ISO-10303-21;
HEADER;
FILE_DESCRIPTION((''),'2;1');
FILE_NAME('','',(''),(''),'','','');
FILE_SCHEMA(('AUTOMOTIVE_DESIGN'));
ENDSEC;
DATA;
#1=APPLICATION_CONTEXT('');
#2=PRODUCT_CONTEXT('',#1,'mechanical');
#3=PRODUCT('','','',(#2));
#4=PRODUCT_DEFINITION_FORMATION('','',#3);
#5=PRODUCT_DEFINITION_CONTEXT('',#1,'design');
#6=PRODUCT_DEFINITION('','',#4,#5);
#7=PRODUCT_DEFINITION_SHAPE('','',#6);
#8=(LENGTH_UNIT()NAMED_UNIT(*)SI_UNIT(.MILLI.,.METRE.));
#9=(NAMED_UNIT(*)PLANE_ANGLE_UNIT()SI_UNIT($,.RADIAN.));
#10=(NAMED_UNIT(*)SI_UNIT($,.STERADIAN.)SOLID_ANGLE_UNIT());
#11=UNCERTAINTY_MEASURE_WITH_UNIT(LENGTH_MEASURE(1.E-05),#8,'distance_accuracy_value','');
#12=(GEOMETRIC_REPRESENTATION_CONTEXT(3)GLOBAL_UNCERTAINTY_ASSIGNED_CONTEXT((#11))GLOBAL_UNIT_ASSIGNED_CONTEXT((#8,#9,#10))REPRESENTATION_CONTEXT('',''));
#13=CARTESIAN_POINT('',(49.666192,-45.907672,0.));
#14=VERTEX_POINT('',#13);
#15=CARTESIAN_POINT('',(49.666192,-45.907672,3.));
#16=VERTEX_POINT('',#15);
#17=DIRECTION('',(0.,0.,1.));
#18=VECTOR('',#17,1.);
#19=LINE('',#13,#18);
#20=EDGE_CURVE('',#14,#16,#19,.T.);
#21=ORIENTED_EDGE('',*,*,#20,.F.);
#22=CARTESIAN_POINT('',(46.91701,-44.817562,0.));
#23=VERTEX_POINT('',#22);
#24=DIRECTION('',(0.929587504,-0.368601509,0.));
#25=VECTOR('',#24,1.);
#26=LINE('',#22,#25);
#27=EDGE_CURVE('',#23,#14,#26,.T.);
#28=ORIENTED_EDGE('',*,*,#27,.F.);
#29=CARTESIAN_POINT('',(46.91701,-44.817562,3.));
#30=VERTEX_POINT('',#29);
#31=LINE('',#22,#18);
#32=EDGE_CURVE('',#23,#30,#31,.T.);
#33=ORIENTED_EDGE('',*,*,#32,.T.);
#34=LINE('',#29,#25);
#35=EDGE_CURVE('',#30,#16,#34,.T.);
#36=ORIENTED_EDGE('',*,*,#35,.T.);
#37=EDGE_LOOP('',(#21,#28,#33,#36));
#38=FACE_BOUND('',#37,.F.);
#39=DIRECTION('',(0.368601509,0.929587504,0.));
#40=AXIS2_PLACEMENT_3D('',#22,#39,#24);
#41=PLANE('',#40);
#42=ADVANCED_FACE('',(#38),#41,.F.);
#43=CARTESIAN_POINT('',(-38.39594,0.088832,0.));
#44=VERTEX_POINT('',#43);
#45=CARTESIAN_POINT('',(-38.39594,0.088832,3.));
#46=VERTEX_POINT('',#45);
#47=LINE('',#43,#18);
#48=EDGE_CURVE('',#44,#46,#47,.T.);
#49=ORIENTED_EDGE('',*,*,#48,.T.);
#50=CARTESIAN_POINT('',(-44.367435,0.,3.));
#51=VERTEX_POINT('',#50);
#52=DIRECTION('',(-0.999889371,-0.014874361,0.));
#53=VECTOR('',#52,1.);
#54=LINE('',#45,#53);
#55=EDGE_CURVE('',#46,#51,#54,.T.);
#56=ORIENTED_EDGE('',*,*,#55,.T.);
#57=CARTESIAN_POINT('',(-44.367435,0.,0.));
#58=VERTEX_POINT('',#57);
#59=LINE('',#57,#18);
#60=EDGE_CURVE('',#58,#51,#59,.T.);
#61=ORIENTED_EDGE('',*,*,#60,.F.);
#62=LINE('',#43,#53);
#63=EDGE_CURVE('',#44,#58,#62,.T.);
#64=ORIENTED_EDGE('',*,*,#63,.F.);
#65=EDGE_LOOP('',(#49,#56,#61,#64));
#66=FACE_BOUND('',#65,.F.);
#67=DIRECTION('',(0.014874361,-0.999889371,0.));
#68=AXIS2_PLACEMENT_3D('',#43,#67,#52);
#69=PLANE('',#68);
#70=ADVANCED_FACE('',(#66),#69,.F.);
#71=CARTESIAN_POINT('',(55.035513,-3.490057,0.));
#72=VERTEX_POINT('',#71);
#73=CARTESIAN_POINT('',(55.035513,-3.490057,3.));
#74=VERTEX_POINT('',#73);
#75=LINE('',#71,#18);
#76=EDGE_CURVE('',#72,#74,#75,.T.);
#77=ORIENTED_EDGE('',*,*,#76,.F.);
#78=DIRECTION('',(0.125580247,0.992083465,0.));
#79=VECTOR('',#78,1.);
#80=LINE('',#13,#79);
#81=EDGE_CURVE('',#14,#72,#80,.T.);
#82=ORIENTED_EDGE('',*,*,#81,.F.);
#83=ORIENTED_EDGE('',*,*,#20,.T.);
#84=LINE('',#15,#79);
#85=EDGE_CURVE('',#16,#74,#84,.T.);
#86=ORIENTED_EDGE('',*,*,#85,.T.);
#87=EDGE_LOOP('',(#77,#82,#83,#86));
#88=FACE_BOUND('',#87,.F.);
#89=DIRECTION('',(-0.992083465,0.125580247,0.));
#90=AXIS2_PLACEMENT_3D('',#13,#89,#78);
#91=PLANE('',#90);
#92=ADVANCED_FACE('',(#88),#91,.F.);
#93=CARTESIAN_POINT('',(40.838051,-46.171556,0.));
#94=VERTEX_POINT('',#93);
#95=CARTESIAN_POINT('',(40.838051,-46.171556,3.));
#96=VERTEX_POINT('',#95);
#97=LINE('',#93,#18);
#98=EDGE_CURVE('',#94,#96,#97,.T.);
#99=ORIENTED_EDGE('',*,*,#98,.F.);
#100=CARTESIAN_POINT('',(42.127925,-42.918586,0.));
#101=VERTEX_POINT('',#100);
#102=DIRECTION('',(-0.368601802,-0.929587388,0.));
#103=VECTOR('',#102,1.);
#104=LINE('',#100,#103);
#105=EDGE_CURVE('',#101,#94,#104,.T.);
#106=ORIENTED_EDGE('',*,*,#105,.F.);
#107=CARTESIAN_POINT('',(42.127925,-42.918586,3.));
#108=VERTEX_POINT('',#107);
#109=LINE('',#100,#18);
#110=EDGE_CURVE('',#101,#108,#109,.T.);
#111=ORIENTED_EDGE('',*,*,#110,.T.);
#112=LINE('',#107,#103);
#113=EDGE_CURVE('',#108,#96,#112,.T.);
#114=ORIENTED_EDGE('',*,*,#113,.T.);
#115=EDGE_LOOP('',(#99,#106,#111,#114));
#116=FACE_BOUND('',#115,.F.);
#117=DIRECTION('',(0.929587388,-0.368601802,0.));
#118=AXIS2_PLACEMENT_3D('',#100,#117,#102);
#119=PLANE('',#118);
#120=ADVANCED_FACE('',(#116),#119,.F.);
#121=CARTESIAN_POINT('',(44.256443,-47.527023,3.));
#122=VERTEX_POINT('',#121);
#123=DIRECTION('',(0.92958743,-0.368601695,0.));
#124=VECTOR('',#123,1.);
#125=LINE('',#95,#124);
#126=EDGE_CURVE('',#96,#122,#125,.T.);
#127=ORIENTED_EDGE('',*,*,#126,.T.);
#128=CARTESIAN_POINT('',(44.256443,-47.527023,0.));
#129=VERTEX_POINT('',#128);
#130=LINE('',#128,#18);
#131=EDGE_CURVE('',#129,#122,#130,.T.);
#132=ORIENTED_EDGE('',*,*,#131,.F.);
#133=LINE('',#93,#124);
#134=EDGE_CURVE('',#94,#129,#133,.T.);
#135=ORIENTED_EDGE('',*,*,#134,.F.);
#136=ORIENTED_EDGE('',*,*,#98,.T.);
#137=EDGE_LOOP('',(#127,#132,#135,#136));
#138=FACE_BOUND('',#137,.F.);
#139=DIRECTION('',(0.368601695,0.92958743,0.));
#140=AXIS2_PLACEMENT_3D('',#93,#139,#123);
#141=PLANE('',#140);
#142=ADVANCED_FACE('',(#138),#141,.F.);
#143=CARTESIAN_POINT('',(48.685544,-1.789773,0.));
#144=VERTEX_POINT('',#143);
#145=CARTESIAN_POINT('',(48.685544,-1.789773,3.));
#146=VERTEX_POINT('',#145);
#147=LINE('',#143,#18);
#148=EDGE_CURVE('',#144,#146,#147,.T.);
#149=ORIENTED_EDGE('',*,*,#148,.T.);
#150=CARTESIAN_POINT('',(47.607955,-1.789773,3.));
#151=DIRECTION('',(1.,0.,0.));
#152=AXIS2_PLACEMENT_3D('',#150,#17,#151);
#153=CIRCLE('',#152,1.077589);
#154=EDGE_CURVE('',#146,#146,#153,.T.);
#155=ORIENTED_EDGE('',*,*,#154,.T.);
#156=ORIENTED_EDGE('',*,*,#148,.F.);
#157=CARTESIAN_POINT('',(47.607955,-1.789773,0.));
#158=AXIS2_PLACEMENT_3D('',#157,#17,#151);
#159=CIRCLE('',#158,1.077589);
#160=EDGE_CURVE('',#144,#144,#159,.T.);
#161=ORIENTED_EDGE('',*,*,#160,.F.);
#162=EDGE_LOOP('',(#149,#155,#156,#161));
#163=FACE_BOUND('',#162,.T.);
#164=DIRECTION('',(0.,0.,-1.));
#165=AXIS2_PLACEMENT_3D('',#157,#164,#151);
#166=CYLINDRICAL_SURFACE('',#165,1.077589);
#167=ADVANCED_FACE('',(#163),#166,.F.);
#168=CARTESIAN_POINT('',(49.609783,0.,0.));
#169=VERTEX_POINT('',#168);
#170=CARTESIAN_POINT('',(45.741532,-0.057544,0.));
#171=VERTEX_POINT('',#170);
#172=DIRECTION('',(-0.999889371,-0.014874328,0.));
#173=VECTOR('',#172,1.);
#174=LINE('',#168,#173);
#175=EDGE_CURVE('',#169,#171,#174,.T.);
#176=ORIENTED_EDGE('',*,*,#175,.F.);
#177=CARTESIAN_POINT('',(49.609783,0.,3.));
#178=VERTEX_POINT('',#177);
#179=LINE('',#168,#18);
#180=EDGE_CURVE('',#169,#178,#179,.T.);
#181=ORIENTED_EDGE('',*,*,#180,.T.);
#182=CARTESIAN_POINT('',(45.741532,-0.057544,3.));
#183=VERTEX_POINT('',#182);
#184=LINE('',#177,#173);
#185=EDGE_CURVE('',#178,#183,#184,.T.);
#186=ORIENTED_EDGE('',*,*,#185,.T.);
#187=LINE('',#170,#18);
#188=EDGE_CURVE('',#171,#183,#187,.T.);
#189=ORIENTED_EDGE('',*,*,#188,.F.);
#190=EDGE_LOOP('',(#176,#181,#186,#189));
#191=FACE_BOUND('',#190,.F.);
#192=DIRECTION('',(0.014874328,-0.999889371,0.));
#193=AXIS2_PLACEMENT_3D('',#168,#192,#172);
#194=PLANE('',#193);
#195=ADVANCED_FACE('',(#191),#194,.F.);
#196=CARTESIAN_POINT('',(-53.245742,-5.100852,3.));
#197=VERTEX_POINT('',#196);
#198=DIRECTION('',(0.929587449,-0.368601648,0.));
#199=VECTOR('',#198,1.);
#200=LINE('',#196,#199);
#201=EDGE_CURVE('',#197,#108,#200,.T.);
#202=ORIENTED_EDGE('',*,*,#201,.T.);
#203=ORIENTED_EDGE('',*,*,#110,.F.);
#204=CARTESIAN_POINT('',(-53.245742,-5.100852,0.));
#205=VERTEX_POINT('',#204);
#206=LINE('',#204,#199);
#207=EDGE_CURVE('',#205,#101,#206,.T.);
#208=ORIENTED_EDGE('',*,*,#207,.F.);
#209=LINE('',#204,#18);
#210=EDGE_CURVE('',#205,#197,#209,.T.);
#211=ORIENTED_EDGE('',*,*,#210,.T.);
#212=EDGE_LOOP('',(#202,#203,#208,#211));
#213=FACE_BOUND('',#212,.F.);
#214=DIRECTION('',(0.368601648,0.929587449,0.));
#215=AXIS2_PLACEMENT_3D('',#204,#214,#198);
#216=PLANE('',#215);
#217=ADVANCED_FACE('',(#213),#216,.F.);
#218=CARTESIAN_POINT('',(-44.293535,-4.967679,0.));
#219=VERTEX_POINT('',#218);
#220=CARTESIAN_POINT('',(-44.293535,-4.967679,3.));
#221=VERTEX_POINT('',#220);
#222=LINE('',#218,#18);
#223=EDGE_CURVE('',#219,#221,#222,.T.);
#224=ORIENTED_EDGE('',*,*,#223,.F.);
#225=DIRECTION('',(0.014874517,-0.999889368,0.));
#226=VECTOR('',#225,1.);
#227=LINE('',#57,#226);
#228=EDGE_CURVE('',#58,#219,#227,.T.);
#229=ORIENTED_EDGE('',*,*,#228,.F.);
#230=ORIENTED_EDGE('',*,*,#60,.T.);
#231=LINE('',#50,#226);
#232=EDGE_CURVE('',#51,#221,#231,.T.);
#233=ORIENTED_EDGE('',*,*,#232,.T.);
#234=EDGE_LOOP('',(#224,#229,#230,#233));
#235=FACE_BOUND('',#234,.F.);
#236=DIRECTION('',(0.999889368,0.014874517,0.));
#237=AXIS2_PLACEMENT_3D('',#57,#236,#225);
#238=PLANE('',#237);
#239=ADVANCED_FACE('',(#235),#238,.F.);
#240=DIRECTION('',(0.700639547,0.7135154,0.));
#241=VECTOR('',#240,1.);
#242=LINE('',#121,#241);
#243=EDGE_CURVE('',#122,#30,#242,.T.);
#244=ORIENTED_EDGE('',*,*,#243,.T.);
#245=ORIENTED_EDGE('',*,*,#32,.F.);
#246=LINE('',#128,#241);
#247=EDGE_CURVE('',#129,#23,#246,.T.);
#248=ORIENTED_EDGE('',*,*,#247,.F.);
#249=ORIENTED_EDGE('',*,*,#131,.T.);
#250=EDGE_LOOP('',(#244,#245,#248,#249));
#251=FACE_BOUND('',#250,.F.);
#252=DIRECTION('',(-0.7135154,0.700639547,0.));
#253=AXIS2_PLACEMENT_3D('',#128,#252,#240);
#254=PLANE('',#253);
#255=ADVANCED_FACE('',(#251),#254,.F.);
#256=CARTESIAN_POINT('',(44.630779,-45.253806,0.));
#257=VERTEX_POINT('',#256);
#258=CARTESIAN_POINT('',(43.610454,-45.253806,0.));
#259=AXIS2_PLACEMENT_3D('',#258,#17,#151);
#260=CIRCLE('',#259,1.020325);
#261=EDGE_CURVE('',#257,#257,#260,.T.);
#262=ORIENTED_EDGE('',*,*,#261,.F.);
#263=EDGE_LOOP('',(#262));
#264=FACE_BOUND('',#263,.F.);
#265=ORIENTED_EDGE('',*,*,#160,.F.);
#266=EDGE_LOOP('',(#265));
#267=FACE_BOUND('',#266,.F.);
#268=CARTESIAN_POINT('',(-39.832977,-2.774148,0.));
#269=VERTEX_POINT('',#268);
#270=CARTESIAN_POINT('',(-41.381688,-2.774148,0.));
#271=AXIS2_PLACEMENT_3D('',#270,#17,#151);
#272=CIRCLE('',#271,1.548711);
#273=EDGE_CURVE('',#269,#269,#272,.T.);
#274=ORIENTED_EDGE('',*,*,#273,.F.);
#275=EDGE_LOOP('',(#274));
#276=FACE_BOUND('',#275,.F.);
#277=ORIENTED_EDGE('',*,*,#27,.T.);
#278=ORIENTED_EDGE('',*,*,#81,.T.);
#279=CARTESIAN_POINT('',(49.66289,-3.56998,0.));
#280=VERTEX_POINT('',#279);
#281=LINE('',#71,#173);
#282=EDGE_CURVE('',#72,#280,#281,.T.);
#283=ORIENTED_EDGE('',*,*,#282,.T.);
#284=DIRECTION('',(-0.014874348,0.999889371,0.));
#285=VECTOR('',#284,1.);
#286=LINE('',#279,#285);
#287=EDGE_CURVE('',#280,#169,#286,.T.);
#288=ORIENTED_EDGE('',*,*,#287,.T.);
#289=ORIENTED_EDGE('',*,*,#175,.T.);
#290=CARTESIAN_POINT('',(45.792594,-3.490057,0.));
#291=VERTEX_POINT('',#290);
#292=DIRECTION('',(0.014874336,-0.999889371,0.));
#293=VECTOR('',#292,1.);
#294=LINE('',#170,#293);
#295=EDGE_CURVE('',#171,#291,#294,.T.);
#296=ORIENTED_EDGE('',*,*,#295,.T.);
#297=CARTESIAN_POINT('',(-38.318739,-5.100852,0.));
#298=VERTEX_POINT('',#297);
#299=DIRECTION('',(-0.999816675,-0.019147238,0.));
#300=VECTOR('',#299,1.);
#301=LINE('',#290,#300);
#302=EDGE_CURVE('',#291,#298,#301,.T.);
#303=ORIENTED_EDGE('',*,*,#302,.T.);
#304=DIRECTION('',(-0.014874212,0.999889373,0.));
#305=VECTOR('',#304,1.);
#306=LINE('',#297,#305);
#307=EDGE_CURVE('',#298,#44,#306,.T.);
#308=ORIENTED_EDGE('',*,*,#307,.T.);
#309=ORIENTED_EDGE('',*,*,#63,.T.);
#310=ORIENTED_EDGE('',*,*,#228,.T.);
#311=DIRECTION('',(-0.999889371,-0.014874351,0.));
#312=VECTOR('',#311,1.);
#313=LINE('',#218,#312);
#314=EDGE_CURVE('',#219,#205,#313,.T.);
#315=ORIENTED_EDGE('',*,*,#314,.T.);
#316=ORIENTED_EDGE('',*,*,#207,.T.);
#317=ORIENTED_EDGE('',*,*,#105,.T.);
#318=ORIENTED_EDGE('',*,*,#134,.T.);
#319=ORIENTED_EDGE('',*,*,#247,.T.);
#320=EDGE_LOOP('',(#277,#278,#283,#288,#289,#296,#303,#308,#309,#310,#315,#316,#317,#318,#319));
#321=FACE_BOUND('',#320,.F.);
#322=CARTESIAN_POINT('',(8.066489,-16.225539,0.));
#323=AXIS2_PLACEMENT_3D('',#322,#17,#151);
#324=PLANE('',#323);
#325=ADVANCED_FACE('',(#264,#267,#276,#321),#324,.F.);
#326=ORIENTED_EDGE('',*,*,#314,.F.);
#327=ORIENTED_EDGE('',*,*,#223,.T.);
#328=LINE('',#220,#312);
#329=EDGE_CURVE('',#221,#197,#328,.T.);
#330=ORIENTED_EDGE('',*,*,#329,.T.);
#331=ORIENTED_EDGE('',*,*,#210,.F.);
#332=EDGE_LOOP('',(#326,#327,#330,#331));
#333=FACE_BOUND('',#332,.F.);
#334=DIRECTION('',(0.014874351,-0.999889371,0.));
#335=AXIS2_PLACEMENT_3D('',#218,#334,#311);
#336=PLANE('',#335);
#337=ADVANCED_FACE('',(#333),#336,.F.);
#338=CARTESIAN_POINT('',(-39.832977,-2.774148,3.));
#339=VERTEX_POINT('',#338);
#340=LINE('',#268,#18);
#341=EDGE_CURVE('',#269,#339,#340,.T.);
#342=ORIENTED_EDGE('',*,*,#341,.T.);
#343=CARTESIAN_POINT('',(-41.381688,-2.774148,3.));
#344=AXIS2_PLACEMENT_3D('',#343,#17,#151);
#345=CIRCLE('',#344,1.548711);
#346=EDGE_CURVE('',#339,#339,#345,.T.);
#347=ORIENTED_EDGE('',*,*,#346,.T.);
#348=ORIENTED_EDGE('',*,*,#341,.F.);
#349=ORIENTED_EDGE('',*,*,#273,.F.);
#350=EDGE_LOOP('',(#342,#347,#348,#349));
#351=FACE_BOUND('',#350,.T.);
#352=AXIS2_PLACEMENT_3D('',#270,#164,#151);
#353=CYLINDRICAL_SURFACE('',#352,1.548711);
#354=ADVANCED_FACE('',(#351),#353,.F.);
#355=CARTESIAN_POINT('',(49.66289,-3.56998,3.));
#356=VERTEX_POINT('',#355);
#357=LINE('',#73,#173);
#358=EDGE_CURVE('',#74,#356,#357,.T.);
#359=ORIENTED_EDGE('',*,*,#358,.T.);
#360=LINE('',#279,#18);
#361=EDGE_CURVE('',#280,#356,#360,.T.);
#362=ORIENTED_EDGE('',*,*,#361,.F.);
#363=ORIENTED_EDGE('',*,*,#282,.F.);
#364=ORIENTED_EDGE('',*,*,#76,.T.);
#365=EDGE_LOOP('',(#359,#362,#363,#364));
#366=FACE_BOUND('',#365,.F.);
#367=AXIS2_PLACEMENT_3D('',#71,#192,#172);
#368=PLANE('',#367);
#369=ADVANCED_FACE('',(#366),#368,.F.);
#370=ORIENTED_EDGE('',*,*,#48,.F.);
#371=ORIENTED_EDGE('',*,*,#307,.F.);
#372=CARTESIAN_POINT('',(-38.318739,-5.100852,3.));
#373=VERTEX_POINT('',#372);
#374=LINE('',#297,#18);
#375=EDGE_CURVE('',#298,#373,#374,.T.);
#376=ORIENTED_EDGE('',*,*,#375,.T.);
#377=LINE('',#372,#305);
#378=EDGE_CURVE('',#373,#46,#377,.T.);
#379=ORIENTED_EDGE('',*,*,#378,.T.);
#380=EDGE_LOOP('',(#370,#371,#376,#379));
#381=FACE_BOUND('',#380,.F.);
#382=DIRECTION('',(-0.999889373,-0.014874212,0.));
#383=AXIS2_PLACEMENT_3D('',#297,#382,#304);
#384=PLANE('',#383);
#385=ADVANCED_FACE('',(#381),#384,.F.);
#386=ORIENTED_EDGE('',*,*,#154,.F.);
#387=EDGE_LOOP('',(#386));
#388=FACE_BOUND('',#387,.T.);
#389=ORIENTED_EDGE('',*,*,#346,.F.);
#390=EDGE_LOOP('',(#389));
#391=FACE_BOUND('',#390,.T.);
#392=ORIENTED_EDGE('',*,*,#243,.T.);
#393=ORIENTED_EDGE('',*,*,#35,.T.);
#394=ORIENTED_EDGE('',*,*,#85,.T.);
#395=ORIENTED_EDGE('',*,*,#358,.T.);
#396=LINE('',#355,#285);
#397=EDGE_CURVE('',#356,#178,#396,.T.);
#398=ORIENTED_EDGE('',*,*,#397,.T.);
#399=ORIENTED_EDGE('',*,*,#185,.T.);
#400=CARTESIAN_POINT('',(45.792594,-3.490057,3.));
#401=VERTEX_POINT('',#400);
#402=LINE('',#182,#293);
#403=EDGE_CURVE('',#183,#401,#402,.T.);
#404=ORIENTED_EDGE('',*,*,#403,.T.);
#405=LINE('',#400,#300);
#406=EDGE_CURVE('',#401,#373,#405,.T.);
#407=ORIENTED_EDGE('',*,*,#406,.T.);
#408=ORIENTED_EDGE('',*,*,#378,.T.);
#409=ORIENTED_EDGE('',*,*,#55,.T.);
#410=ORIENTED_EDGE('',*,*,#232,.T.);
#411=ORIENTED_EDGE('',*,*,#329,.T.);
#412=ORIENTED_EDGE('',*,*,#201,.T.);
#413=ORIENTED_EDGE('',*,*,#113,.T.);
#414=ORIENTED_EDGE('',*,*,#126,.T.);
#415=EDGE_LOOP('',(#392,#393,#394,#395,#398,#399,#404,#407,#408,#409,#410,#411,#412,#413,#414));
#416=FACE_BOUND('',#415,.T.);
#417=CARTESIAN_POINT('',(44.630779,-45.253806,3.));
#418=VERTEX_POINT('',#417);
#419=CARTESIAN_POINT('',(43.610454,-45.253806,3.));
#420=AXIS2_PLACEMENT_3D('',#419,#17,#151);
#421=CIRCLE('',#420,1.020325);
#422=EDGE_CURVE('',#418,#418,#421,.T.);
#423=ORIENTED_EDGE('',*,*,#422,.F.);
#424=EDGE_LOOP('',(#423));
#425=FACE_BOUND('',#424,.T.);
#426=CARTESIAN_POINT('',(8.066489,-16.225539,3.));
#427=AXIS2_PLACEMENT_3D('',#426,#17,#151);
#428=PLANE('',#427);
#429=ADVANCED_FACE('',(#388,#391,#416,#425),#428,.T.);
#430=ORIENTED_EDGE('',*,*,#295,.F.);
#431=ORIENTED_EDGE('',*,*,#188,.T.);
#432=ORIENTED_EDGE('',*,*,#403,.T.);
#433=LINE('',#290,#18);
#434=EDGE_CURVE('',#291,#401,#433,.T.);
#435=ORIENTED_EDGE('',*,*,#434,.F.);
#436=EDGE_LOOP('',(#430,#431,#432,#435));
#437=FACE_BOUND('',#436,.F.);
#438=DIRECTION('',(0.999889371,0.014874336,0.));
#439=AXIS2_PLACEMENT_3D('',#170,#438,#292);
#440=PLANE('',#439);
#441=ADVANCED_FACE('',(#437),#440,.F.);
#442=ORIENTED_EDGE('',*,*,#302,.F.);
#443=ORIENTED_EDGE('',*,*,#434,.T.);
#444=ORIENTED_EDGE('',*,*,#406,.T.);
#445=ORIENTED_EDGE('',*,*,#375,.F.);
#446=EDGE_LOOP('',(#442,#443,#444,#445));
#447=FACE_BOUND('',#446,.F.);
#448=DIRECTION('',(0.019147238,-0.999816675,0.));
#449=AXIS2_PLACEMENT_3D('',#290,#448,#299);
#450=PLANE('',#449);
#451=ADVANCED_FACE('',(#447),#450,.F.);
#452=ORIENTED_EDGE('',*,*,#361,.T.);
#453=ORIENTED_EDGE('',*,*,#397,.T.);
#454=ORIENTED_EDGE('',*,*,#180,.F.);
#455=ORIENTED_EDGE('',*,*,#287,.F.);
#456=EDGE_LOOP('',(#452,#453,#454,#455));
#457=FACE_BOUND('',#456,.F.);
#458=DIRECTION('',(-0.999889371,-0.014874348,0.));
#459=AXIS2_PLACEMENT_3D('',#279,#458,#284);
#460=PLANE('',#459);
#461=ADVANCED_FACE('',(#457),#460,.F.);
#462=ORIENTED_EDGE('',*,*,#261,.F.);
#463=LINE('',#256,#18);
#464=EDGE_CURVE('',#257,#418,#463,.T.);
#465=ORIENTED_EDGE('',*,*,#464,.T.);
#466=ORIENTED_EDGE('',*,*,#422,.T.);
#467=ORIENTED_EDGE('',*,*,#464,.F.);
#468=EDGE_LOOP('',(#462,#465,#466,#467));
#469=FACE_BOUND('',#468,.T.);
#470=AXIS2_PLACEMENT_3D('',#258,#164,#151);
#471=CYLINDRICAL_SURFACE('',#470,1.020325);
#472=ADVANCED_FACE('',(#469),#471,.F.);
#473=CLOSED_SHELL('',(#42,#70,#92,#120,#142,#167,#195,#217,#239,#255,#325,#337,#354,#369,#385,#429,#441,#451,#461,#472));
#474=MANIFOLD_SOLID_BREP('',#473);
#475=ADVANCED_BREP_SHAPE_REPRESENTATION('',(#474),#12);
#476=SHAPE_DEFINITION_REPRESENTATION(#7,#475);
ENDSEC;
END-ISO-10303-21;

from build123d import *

# Parameters (mm, degrees)
F0_R     = 1.020325
F0_R_2   = 1.548711
F0_R_3   = 1.077589
F1_DEPTH = 3


with BuildPart() as f1:
    # F0 (on Top) → F1 (new body)
    with BuildSketch(Plane.XY):
        Polygon((-44.293535, -4.967679), (-53.245742, -5.100852), (42.127925, -42.918586), (40.838051, -46.171556), (44.256443, -47.527023), (46.91701, -44.817562), (49.666192, -45.907672), (55.035513, -3.490057), (49.66289, -3.56998), (49.609783, 0), (45.741532, -0.057544), (45.792594, -3.490057), (-38.318739, -5.100852), (-38.39594, 0.088832), (-44.367435, 0), align=None)
        with Locations((43.610454, -45.253806)):
            Circle(F0_R, mode=Mode.SUBTRACT)
        with Locations((-41.381688, -2.774148)):
            Circle(F0_R_2, mode=Mode.SUBTRACT)
        with Locations((47.607955, -1.789773)):
            Circle(F0_R_3, mode=Mode.SUBTRACT)
    extrude(amount=F1_DEPTH)


solid = f1.part
